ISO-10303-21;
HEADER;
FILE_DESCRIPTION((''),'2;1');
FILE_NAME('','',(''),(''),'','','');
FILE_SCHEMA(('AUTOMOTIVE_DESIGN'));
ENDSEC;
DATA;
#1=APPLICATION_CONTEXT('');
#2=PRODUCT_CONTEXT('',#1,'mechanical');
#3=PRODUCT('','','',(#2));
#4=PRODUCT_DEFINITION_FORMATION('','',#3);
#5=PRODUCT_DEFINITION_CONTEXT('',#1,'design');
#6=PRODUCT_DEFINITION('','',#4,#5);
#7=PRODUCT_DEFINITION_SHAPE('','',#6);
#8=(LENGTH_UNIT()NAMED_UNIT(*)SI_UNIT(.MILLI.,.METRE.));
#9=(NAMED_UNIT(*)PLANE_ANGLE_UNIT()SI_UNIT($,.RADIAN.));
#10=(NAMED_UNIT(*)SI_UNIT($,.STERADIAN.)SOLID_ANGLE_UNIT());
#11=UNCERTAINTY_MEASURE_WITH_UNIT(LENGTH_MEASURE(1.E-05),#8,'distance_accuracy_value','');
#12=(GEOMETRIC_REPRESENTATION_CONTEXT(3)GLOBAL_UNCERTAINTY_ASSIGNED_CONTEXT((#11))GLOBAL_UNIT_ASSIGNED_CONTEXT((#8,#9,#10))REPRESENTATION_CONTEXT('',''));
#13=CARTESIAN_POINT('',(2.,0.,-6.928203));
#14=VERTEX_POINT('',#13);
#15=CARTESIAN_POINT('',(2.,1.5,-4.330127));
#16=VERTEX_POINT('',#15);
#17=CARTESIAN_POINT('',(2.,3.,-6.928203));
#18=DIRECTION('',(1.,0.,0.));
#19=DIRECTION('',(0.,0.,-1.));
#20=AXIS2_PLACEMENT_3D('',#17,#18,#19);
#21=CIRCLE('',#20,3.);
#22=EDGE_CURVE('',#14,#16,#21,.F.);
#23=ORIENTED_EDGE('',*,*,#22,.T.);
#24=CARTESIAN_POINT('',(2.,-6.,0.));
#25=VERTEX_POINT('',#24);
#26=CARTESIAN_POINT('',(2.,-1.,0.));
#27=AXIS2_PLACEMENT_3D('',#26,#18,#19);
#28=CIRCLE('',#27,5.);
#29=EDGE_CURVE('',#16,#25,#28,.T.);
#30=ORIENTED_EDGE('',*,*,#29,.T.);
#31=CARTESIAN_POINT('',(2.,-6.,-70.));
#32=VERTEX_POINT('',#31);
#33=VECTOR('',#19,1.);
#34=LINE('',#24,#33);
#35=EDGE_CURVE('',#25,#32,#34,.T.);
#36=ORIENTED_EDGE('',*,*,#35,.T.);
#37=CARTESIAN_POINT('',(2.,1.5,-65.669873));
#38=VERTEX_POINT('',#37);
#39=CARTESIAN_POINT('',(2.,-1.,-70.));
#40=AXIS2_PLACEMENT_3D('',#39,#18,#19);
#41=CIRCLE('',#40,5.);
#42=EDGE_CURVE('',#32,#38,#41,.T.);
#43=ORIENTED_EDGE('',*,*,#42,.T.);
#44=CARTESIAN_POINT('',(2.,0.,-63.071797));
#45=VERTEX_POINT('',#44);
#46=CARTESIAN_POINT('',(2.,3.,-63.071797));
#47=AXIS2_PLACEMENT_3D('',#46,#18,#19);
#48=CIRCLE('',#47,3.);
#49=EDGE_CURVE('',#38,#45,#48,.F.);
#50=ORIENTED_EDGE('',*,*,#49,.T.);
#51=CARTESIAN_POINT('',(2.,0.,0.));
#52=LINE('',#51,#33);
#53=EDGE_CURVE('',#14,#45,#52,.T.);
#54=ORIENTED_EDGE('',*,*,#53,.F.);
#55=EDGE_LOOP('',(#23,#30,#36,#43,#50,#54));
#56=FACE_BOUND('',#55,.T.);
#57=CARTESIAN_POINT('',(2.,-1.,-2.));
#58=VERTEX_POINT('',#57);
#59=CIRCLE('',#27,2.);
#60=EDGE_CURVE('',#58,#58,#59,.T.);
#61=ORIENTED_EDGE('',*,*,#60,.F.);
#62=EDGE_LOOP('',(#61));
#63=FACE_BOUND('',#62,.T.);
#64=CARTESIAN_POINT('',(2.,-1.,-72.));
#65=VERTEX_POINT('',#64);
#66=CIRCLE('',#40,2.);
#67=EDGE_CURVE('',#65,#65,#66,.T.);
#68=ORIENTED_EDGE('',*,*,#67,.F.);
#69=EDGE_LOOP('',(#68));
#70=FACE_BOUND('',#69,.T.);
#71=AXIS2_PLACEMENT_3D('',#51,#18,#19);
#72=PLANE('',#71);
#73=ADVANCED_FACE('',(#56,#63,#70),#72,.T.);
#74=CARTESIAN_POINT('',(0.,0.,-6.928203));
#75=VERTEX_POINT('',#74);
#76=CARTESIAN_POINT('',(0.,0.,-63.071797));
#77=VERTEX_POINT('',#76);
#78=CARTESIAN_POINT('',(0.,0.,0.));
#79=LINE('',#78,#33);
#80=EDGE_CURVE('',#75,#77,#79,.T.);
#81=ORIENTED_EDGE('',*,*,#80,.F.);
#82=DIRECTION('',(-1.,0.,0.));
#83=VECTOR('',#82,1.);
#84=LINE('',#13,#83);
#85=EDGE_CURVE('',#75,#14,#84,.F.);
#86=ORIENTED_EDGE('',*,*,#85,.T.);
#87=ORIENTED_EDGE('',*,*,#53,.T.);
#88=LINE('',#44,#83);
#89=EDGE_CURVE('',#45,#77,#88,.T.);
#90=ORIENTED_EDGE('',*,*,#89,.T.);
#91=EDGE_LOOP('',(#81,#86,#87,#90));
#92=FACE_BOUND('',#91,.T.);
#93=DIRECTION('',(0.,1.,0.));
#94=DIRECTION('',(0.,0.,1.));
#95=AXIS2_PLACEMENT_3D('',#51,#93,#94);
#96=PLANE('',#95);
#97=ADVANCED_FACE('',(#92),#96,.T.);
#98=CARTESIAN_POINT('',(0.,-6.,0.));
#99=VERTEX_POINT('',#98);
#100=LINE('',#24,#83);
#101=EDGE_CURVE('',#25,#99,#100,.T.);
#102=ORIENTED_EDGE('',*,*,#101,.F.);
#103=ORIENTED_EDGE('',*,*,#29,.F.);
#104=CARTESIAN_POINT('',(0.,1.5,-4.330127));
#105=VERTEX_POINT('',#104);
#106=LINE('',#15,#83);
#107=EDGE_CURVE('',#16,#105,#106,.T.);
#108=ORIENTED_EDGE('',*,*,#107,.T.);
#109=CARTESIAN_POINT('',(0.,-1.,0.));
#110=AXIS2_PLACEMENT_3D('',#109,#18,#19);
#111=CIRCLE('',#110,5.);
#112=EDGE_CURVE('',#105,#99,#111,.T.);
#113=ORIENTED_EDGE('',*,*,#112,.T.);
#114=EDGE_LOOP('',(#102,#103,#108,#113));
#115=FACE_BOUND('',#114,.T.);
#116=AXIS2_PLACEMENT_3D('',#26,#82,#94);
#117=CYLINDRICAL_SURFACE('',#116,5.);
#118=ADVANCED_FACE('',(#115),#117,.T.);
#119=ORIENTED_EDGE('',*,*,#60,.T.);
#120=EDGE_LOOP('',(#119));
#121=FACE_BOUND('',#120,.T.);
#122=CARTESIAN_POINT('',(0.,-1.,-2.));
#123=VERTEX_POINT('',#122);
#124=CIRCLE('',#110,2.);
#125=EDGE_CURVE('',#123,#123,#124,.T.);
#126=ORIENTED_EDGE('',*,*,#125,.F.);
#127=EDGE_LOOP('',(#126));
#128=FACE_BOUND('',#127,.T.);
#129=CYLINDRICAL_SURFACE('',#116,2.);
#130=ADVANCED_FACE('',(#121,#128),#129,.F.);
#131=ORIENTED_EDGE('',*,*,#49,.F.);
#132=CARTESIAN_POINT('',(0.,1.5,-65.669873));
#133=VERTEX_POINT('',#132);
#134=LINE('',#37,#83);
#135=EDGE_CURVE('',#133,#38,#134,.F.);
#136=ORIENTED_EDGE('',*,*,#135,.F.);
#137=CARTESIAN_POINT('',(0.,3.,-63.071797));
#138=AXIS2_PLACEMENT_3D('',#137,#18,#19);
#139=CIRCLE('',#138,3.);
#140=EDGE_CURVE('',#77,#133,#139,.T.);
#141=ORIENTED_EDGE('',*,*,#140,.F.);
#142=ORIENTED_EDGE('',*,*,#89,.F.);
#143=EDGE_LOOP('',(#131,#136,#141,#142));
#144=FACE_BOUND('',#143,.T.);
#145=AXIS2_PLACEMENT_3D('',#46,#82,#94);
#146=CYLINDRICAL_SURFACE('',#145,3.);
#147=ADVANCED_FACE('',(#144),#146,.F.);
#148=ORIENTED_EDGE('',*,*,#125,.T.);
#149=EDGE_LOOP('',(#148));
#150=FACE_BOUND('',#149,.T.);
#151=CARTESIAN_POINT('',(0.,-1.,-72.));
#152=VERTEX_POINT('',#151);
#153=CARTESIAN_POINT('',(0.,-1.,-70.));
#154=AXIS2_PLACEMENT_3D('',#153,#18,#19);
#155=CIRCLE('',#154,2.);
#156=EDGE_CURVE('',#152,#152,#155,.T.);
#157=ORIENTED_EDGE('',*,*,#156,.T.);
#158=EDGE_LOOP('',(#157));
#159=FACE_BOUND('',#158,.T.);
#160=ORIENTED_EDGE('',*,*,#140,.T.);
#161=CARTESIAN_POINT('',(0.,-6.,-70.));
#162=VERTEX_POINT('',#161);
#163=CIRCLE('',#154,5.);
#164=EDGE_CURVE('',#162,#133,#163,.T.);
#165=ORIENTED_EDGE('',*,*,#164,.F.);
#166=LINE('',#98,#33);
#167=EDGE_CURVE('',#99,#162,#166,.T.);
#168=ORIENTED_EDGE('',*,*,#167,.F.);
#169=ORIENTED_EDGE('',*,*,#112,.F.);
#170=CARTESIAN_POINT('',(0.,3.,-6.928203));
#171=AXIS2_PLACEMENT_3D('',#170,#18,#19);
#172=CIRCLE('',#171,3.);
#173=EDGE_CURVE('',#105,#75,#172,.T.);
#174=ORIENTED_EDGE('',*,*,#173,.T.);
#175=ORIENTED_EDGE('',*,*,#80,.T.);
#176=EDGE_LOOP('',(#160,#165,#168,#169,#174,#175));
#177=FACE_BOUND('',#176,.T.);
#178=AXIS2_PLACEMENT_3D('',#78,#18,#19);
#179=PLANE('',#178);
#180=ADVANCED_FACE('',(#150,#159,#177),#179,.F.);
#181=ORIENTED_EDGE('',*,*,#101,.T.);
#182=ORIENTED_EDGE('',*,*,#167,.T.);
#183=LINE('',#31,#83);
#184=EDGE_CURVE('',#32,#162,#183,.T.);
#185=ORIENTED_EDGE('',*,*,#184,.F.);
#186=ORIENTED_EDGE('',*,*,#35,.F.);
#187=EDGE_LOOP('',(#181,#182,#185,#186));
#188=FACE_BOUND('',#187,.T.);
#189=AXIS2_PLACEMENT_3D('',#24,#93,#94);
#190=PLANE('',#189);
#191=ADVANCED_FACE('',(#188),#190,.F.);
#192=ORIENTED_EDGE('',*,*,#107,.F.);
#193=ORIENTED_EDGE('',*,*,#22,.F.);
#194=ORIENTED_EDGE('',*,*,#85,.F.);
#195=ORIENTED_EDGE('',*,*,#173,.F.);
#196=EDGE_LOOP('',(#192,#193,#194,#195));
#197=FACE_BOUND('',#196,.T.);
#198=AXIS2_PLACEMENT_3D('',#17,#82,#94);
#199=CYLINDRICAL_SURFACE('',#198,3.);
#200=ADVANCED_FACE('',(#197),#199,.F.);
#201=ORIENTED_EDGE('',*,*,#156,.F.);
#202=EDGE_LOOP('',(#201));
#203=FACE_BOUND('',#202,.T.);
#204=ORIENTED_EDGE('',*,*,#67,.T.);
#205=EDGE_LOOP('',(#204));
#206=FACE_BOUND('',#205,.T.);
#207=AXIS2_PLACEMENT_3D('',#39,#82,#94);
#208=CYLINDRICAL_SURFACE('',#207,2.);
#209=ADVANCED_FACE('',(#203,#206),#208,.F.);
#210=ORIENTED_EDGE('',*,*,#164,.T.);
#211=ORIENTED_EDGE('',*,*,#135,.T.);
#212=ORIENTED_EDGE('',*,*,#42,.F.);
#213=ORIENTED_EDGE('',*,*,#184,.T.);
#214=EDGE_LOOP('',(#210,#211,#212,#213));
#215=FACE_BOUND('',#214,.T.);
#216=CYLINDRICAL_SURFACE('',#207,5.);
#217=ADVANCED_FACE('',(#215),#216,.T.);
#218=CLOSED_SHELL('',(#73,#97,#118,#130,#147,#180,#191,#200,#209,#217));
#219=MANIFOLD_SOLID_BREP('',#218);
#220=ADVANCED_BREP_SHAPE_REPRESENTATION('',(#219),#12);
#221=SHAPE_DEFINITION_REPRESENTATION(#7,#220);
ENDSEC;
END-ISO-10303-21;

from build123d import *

# Parameters (mm, degrees)
SKETCH_1_R          = 5
SKETCH_1_W          = 70
SKETCH_1_H          = 6
EXTRUDE_1_DEPTH     = 2
SKETCH_1_3_R        = 2
CUT_EXTRUDE_1_DEPTH = 76.266194271
FILLET_1_R          = 3


with BuildPart() as part:
    # 草图1 → 凸台-拉伸1 (new body)
    with BuildSketch(Plane(origin=(0, 0, 0), x_dir=(0, 0, -1), z_dir=(1, 0, 0))):
        with Locations((70, -1)):
            Circle(SKETCH_1_R)
        with Locations((0, -1)):
            Circle(SKETCH_1_R)
        with Locations((35, -3)):
            Rectangle(SKETCH_1_W, SKETCH_1_H)
    extrude(amount=EXTRUDE_1_DEPTH)

    # 草图1<3> → 切除-拉伸1 (cut, through all)
    with BuildSketch(Plane(origin=(0, 0, 0), x_dir=(0, 0, -1), z_dir=(1, 0, 0))):
        with Locations((70, -1)):
            Circle(SKETCH_1_3_R)
        with Locations((0, -1)):
            Circle(SKETCH_1_3_R)
    extrude(amount=CUT_EXTRUDE_1_DEPTH, mode=Mode.SUBTRACT)

    # 圆角1
    fillet_1_edges = [part.edges().sort_by_distance(p)[0] for p in [
        (1, 0, -65.101020514),
        (1, 0, -4.898979486),
    ]]
    fillet(fillet_1_edges, radius=FILLET_1_R)


solid = part.part
